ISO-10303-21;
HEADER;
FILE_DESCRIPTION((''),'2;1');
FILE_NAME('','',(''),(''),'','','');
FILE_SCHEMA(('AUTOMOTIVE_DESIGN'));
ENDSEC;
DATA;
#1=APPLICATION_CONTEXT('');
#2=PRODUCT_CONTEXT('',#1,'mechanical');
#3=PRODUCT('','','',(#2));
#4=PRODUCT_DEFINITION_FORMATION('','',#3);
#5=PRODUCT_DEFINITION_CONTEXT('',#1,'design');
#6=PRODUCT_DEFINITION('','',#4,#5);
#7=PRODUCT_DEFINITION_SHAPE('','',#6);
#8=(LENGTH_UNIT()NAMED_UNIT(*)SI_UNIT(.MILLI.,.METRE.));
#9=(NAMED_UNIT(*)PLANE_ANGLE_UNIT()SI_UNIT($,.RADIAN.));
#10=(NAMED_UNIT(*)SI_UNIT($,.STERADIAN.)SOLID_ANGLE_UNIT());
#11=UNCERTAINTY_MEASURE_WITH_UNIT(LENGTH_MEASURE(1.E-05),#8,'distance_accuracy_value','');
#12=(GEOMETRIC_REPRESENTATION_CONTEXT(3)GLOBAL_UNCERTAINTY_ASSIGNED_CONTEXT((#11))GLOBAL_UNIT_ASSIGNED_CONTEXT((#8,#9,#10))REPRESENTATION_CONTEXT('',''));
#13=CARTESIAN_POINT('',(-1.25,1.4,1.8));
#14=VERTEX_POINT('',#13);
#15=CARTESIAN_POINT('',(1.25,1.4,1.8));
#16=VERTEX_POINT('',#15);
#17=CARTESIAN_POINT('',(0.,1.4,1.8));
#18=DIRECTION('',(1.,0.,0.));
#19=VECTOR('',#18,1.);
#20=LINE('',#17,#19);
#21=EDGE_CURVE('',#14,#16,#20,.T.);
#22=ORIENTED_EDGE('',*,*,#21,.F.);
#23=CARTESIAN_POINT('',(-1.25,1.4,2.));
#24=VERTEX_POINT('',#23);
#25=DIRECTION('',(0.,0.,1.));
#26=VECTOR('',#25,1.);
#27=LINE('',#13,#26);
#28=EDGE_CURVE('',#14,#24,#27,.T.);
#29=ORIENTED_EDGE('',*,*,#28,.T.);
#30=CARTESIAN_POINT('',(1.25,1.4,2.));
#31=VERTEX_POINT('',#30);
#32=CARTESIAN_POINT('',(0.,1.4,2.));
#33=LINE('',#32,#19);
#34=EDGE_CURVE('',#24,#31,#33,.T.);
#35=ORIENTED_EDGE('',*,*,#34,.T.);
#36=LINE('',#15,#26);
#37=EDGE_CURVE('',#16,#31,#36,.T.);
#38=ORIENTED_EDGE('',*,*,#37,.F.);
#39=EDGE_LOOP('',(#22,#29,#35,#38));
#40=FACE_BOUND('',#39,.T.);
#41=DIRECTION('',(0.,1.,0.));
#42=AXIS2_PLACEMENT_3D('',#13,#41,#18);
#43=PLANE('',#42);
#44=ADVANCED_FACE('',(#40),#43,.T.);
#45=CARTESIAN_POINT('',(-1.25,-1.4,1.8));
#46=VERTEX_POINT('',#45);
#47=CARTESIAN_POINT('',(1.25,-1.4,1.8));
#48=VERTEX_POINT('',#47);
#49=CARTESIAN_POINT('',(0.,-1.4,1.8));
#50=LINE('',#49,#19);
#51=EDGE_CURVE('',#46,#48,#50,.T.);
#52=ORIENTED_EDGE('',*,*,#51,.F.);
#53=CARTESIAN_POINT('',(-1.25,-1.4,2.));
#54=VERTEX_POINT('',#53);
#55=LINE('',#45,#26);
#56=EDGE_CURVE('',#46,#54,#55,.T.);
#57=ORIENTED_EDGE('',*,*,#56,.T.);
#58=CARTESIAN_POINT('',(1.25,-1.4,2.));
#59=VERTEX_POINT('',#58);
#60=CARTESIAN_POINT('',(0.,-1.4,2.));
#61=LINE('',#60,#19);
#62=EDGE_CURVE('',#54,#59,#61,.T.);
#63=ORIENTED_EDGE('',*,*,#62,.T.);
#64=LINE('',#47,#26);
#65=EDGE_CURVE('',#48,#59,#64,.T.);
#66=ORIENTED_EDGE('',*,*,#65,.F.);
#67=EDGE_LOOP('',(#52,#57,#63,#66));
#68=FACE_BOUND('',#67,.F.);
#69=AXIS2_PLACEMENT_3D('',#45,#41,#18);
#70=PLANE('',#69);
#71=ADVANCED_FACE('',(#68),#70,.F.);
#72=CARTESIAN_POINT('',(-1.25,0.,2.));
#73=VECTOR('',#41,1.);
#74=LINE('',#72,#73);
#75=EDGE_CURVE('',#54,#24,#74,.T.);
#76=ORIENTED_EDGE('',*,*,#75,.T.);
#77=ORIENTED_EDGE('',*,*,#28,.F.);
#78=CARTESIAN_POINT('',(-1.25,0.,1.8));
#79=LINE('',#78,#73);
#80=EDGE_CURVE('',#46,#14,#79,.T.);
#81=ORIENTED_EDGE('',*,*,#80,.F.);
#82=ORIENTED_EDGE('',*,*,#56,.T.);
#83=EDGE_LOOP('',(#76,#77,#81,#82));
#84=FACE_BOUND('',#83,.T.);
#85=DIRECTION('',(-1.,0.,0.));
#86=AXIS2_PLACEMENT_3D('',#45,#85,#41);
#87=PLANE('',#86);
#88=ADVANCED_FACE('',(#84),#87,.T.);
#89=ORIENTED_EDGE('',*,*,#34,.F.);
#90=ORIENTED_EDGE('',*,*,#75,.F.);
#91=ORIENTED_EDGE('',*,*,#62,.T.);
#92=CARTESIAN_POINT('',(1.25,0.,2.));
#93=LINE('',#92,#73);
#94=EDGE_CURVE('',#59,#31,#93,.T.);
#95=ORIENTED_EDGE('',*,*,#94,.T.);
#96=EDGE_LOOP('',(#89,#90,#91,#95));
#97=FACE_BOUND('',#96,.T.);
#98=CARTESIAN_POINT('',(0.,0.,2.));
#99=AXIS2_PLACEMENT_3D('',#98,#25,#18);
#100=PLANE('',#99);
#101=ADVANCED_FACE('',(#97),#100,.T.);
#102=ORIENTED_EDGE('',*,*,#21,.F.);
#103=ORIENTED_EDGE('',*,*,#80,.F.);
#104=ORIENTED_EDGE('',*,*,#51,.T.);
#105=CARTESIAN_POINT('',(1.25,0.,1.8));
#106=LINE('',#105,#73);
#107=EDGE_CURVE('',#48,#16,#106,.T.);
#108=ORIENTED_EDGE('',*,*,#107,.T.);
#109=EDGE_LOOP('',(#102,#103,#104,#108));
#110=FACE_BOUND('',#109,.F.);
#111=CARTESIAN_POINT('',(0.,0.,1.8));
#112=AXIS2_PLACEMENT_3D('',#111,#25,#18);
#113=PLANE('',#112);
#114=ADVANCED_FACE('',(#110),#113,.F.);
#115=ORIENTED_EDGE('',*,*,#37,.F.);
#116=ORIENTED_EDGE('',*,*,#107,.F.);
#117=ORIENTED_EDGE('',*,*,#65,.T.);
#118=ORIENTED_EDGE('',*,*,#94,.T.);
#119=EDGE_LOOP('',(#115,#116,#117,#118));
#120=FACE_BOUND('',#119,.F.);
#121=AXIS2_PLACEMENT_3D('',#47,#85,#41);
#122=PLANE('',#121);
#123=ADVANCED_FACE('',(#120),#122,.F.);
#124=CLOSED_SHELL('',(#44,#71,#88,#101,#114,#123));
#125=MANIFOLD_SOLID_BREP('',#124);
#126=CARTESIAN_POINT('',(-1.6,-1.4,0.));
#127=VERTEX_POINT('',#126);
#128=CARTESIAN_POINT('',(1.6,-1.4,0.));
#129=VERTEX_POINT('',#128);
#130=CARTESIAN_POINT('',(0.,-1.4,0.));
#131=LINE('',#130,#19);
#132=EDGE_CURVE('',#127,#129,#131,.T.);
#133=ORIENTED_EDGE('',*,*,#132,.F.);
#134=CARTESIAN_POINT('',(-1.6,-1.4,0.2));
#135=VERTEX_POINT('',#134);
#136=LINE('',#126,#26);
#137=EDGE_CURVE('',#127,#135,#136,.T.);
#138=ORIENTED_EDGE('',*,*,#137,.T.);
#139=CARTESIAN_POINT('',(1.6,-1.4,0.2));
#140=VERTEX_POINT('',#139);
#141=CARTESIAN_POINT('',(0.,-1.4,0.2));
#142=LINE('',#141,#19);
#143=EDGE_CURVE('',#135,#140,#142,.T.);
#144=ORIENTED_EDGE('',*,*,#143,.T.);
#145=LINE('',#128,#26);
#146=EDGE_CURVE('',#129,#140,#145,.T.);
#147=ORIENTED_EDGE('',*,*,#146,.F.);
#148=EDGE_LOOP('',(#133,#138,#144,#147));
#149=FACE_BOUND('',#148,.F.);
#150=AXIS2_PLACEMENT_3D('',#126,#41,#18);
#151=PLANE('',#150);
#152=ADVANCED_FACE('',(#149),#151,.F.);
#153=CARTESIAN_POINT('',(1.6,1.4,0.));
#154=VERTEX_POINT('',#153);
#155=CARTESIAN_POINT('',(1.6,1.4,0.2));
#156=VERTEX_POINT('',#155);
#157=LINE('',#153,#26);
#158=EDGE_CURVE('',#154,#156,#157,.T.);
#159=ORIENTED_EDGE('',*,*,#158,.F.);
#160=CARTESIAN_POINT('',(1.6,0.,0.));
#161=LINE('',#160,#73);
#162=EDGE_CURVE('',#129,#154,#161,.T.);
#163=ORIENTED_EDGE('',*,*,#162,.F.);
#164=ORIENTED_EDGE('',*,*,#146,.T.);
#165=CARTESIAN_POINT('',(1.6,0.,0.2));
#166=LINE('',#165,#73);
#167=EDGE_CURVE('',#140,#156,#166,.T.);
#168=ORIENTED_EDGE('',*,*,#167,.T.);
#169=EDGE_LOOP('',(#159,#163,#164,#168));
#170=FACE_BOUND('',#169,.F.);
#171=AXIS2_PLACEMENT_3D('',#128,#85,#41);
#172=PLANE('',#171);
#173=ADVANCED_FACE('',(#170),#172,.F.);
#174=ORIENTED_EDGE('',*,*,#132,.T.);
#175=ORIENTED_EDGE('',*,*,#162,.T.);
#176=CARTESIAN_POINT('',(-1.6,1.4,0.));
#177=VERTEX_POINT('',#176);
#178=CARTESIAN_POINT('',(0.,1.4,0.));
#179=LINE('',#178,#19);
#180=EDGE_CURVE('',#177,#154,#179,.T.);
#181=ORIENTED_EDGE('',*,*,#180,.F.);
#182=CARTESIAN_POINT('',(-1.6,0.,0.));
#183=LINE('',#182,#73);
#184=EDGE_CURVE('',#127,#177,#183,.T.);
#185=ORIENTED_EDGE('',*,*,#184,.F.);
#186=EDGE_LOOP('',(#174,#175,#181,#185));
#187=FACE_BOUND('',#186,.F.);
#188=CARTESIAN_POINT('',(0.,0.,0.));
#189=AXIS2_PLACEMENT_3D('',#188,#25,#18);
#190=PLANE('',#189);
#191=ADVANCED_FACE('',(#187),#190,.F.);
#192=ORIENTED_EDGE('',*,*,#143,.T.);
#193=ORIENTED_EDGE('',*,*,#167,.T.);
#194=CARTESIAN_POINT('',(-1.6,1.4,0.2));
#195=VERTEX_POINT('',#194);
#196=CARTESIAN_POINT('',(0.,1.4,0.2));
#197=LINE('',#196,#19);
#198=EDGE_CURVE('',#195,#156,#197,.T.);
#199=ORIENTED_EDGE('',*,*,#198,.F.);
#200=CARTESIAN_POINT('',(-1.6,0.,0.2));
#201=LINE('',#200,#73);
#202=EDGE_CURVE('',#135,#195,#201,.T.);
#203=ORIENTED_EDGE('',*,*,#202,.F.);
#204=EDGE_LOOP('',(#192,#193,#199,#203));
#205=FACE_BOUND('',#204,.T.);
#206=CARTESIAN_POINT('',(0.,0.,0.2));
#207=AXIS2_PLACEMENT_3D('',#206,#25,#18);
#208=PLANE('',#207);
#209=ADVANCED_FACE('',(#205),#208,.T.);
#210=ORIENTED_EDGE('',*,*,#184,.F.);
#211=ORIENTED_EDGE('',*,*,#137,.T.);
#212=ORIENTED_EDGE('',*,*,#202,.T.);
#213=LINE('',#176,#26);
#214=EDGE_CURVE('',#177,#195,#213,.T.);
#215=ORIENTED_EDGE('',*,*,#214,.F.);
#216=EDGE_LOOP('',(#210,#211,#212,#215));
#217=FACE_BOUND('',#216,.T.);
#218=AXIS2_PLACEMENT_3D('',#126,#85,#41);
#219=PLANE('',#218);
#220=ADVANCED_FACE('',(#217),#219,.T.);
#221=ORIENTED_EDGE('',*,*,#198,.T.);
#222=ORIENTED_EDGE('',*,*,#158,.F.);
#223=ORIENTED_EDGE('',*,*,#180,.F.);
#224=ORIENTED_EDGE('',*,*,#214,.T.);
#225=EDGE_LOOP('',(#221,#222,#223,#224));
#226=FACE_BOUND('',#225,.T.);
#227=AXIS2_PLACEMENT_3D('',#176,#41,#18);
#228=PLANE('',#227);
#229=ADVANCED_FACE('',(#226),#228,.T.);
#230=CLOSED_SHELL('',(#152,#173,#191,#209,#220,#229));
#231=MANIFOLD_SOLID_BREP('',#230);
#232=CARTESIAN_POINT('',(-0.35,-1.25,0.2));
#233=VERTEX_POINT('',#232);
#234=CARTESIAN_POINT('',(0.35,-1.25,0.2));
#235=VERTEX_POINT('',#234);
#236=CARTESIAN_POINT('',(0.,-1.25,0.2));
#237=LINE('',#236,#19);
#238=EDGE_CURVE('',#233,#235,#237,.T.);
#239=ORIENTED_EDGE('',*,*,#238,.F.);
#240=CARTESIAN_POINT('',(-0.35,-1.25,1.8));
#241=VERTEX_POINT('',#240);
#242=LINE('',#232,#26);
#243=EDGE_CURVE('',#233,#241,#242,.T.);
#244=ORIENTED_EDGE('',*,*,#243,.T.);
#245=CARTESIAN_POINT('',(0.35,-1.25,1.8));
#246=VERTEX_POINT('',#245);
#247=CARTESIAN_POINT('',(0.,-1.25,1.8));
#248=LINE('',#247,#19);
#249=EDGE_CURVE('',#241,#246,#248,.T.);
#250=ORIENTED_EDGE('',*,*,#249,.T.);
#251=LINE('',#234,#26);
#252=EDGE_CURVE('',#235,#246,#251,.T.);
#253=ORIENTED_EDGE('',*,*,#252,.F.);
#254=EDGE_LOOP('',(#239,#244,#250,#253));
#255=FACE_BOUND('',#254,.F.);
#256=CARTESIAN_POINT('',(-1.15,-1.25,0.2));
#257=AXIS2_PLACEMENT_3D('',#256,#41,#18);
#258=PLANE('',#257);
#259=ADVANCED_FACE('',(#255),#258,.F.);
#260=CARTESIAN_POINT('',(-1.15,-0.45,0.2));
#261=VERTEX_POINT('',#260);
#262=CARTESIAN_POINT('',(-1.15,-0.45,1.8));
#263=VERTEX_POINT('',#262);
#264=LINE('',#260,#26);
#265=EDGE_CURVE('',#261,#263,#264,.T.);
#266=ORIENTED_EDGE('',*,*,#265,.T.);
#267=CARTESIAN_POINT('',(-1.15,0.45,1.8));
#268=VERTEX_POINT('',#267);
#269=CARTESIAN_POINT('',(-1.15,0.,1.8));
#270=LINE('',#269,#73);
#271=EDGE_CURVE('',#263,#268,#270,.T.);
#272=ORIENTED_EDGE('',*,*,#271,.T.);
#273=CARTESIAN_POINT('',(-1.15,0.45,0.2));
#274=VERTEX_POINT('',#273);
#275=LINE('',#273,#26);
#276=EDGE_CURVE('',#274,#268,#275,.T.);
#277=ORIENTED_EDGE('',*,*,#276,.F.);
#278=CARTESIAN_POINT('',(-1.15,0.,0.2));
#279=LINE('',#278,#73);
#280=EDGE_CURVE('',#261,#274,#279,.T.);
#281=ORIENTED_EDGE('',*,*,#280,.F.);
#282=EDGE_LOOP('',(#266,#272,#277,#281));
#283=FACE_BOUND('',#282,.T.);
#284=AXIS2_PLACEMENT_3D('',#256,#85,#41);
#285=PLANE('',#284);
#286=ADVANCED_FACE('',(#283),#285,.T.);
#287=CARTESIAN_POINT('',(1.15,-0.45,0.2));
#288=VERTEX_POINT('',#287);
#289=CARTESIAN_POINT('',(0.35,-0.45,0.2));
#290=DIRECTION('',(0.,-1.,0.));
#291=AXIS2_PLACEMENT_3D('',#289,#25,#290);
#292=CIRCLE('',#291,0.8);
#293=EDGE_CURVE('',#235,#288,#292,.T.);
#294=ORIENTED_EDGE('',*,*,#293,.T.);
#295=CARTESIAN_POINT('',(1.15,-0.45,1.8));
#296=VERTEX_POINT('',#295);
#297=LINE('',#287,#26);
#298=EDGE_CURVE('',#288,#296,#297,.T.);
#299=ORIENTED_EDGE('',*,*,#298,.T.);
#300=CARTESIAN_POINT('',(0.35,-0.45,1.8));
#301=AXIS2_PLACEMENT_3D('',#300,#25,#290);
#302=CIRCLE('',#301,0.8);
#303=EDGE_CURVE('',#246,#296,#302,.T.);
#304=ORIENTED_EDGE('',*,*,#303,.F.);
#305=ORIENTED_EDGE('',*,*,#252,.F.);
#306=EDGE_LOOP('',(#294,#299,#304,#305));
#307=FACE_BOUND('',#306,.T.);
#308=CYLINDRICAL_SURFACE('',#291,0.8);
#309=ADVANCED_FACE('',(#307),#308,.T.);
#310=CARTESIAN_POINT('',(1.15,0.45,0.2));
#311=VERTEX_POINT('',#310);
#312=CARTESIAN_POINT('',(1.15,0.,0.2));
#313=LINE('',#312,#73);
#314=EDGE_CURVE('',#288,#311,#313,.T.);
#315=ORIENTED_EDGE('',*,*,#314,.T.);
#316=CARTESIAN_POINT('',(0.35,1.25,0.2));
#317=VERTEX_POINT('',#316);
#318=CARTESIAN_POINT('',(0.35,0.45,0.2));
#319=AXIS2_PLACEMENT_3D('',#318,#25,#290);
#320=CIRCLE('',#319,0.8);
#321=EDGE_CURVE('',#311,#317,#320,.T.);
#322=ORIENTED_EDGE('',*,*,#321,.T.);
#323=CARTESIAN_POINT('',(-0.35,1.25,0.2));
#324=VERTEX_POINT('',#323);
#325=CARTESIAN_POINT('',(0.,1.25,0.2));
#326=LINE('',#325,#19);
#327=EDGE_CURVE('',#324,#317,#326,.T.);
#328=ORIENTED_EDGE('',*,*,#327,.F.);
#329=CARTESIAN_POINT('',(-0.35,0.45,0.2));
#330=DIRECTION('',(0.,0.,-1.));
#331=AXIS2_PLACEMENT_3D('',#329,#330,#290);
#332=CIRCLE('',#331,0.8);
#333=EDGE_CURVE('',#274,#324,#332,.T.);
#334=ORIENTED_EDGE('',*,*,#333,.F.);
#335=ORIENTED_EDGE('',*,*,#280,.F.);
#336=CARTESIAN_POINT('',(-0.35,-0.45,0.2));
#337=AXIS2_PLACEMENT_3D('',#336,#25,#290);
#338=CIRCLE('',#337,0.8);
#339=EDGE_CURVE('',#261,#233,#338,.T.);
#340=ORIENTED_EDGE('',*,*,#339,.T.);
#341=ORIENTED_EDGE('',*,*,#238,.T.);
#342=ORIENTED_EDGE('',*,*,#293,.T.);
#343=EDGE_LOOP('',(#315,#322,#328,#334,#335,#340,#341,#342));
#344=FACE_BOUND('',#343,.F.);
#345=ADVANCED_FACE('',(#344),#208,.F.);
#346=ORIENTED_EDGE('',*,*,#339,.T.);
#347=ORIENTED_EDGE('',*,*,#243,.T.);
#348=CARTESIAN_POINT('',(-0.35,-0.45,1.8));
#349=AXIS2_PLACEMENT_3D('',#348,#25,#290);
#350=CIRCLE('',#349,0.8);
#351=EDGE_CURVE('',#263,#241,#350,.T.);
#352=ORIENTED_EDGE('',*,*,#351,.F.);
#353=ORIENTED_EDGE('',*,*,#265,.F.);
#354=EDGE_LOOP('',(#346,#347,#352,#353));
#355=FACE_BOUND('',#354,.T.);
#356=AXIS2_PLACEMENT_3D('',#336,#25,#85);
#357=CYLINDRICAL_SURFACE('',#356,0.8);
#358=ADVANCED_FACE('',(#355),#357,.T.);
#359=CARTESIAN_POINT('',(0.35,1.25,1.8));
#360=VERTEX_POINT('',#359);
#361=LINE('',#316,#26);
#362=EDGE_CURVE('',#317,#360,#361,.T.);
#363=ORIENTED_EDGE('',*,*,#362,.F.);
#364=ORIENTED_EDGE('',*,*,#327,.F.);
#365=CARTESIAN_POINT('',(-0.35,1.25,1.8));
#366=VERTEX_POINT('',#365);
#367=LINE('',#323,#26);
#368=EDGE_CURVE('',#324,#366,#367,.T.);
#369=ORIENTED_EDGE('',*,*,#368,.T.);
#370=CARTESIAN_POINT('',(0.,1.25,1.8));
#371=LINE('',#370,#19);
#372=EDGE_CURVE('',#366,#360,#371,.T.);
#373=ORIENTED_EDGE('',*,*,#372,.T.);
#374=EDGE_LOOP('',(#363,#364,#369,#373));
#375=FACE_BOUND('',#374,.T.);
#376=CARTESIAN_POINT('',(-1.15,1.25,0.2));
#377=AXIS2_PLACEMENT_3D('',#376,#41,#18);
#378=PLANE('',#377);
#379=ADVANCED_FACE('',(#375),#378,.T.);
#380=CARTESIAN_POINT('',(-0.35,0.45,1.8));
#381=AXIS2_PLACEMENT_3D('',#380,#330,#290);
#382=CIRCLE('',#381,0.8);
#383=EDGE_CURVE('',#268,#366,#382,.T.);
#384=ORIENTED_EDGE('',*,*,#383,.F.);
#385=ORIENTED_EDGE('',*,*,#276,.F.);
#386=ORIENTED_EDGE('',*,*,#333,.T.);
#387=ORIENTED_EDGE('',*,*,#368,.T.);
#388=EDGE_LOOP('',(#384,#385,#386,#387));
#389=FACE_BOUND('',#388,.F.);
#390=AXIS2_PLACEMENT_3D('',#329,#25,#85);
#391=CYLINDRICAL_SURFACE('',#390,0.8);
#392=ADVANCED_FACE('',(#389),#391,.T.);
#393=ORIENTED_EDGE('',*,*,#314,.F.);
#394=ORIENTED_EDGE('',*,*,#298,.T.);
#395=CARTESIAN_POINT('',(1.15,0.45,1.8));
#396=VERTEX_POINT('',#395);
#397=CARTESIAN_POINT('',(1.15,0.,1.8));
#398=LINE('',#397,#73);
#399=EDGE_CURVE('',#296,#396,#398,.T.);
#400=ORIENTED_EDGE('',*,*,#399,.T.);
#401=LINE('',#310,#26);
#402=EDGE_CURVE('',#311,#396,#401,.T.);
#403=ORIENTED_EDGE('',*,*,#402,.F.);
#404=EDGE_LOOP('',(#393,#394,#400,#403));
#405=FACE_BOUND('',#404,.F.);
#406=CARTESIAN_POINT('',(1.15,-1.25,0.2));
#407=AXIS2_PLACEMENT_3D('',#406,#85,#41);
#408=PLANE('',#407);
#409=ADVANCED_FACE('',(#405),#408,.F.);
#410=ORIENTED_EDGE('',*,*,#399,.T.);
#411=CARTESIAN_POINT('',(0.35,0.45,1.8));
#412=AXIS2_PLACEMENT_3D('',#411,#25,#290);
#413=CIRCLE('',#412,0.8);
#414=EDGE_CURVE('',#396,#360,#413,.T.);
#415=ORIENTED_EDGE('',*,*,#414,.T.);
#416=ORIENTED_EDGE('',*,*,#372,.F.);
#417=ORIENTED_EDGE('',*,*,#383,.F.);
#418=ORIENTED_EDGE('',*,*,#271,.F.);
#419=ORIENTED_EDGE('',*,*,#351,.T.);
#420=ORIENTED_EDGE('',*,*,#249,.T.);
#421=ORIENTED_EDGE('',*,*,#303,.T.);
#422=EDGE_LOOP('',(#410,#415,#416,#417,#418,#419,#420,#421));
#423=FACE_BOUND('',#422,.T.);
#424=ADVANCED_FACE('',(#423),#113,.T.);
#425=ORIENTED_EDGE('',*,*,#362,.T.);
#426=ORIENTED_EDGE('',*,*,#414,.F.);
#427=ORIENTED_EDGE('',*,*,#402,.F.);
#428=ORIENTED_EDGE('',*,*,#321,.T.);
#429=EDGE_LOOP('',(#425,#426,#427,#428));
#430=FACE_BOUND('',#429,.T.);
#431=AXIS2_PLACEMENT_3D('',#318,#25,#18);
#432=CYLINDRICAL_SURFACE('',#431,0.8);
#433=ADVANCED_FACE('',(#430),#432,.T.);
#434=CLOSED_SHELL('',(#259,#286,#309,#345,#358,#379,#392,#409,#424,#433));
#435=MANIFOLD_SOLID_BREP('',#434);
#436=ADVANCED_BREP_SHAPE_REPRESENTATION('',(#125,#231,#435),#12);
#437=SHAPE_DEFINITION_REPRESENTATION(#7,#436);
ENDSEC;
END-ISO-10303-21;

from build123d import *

# Parameters (mm, degrees)
F0_W     = 3.2
F0_H     = 2.8
F1_DEPTH = 0.2
F2_W     = 2.3
F2_H     = 2.5
F3_DEPTH = 1.6
F4_W     = 2.5
F4_H     = 2.8
F4_W_2   = 2.3
F4_H_2   = 2.5
F5_DEPTH = 0.2
F6_R     = 0.8


with BuildPart() as f1:
    # F0 (on Top) → F1 (new body)
    with BuildSketch(Plane.XY):
        Rectangle(F0_W, F0_H)
    extrude(amount=F1_DEPTH)


with BuildPart() as f3:
    # F2 (on face) → F3 (new body)
    with BuildSketch(Plane.XY.offset(0.2)):
        Rectangle(F2_W, F2_H)
    extrude(amount=F3_DEPTH)

    # F6
    f6_edges = [f3.edges().sort_by_distance(p)[0] for p in [
        (-1.15, -1.25, 1),
        (1.15, -1.25, 1),
        (1.15, 1.25, 1),
        (-1.15, 1.25, 1),
    ]]
    fillet(f6_edges, radius=F6_R)


with BuildPart() as f5:
    # F4 (on face) → F5 (new body)
    with BuildSketch(Plane.XY.offset(1.8)):
        Rectangle(F4_W, F4_H)
        Rectangle(F4_W_2, F4_H_2, mode=Mode.SUBTRACT)
        Rectangle(F4_W_2, F4_H_2)
    extrude(amount=F5_DEPTH)


solid = Compound([f1.part, f3.part, f5.part])
